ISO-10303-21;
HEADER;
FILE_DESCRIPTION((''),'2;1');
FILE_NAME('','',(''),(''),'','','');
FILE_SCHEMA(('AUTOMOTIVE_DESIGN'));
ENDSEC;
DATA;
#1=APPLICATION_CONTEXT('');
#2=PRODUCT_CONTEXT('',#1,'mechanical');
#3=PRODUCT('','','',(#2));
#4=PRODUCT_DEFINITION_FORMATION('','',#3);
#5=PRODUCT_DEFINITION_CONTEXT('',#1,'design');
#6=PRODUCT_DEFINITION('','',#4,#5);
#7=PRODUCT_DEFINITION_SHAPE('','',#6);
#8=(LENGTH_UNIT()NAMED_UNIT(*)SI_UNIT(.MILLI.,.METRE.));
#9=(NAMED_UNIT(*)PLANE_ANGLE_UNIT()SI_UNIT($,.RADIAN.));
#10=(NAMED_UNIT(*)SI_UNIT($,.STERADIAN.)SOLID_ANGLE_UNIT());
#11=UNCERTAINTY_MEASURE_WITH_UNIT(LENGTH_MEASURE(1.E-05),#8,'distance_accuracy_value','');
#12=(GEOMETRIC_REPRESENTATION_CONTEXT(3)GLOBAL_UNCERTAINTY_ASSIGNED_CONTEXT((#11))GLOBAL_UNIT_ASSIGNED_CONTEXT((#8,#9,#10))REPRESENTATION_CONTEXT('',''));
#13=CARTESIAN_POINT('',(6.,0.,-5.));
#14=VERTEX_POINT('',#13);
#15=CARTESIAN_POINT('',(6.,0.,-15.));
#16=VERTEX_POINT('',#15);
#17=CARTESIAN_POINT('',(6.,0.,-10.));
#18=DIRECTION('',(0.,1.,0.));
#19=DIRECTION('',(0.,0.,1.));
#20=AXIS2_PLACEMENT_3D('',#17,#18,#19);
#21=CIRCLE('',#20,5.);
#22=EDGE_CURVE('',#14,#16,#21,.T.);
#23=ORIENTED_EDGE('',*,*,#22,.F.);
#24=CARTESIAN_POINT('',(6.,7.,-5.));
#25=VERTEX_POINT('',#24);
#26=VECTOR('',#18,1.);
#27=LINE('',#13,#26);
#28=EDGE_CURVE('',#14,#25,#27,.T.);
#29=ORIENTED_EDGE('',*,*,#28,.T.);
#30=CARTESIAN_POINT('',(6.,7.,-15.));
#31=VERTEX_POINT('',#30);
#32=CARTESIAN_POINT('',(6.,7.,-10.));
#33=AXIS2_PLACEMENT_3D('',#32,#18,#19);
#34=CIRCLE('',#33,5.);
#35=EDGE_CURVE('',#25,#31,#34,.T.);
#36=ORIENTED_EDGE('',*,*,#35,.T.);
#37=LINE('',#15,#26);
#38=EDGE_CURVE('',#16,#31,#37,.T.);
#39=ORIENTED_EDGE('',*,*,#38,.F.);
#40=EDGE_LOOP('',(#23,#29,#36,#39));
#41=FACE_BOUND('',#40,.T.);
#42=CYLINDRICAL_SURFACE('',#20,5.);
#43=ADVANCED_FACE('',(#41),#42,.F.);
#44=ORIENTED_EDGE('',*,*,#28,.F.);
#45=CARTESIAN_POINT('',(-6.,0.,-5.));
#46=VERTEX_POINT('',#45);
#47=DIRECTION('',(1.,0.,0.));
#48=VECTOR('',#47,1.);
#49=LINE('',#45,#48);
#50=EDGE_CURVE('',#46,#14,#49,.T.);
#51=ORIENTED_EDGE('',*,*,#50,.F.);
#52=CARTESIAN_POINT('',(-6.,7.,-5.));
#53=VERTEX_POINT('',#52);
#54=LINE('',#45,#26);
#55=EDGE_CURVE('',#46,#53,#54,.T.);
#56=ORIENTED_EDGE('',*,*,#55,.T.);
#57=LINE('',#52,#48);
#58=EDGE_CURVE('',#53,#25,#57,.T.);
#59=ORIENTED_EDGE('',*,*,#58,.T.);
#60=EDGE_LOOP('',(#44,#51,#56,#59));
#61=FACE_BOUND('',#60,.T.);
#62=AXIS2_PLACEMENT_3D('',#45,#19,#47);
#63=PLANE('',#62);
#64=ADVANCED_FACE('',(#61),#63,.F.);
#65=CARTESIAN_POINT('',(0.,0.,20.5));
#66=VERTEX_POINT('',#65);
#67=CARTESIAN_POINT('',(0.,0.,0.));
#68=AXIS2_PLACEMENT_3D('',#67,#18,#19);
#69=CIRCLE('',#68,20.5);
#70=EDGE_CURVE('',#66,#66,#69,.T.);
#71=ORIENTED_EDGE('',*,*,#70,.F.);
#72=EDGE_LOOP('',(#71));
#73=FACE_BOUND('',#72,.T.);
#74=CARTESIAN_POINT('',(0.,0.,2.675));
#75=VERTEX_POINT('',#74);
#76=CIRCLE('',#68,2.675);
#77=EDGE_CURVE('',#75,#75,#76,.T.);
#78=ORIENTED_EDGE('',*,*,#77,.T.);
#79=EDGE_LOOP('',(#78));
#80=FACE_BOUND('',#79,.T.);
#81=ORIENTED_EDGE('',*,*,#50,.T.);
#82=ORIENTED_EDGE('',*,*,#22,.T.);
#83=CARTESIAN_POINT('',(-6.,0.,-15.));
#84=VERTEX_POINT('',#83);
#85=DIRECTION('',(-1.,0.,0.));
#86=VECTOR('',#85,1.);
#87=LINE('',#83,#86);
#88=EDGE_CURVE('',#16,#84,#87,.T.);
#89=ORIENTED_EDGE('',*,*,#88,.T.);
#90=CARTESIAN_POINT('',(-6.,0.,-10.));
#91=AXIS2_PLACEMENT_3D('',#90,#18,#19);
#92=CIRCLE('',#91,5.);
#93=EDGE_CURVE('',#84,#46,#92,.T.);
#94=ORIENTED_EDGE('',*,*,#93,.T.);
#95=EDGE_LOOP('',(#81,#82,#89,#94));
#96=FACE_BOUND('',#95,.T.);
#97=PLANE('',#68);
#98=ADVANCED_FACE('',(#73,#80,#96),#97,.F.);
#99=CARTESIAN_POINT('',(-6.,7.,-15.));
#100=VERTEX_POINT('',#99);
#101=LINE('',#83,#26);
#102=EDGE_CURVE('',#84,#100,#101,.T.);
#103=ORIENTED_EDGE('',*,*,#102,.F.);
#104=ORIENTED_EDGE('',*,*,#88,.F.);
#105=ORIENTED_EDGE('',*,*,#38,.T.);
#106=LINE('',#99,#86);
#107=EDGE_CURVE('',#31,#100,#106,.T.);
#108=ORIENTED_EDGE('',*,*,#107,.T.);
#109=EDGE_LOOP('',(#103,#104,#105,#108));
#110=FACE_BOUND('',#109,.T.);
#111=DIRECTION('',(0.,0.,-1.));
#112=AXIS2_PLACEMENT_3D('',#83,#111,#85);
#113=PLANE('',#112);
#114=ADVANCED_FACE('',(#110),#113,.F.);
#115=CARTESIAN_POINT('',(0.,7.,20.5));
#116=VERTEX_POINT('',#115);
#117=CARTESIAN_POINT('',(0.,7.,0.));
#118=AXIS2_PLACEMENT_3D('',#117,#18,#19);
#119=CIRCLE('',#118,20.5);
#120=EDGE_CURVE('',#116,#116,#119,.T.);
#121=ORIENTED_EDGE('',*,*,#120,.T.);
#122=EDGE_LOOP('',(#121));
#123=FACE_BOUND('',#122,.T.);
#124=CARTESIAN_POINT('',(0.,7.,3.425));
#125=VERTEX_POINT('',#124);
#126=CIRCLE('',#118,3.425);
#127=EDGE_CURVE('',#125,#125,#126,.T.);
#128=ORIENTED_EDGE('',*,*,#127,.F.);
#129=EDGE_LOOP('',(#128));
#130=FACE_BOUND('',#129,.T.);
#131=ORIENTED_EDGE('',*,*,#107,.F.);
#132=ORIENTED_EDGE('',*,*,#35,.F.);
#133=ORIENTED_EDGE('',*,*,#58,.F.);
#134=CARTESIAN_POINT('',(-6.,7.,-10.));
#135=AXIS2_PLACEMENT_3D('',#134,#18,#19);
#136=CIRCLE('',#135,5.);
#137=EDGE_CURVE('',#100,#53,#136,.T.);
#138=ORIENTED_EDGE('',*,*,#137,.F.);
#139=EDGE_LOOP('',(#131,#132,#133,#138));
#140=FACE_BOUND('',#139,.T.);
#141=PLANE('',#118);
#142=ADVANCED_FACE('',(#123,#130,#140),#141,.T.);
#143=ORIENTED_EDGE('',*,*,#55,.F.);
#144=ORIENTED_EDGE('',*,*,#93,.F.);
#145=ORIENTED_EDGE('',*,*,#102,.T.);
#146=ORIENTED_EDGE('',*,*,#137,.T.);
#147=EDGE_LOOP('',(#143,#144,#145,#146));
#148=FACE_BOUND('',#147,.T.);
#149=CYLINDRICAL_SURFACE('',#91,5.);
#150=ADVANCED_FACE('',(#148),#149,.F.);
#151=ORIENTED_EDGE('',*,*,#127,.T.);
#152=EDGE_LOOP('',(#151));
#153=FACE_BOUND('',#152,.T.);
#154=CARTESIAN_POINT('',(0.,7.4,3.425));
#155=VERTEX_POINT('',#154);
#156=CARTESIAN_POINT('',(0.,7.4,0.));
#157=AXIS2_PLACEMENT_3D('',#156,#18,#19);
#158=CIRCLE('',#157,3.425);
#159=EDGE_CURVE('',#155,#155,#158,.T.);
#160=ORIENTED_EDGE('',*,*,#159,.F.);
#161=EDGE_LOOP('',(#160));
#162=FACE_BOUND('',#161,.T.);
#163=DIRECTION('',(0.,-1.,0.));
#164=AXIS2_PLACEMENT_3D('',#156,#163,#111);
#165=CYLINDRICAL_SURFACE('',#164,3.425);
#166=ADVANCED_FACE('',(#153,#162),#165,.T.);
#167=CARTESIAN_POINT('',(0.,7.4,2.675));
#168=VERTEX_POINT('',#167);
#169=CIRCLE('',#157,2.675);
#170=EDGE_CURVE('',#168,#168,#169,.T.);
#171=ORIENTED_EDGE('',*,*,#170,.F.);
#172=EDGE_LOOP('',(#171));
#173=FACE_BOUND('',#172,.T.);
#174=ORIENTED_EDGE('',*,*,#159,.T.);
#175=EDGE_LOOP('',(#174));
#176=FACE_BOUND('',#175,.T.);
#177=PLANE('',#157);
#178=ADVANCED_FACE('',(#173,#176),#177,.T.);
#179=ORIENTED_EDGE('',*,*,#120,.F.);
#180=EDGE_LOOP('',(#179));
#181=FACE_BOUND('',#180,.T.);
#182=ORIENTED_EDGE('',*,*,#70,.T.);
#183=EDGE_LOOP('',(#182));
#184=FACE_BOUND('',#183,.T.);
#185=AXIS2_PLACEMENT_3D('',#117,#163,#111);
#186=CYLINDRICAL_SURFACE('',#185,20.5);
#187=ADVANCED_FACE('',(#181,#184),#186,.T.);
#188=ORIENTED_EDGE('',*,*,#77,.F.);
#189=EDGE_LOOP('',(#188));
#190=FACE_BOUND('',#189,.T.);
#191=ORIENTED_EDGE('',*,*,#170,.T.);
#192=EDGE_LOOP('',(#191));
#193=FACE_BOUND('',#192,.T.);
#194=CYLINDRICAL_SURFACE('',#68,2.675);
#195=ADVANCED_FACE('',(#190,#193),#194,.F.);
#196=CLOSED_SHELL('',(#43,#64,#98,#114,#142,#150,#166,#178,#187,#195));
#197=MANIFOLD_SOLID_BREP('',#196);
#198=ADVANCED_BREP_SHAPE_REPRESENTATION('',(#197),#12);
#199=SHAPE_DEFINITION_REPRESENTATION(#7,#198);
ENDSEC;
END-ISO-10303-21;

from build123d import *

# Parameters (mm, degrees)
SKETCH1_R           = 20.5
BOSS_EXTRUDE1_DEPTH = 7
SKETCH2_R           = 2.675
CUT_EXTRUDE1_DEPTH  = 7
BOSS_EXTRUDE2_START = 0.4
SKETCH3_R           = 3.425
SKETCH3_R_2         = 2.675
BOSS_EXTRUDE2_DEPTH = 0.4
CUT_EXTRUDE3_DEPTH  = 7


with BuildPart() as part:
    # Sketch1 → Boss-Extrude1 (new body)
    with BuildSketch(Plane(origin=(0, 0, 0), x_dir=(1, 0, 0), z_dir=(0, 1, 0))):
        with Locations(Location((0, 0, 0), (0, 0, 270))):
            Circle(SKETCH1_R)
    extrude(amount=BOSS_EXTRUDE1_DEPTH)

    # Sketch2 → Cut-Extrude1 (cut)
    with BuildSketch(Plane(origin=(0, 7, 0), x_dir=(1, 0, 0), z_dir=(0, 1, 0))):
        with Locations(Location((0, 0, 0), (0, 0, 270))):
            Circle(SKETCH2_R)
    extrude(amount=-CUT_EXTRUDE1_DEPTH, mode=Mode.SUBTRACT)

    # Sketch3 → Boss-Extrude2 (add)
    with BuildSketch(Plane(origin=(0, 7, 0), x_dir=(1, 0, 0), z_dir=(0, 1, 0)).offset(BOSS_EXTRUDE2_START)):
        with Locations(Location((0, 0, 0), (0, 0, 270))):
            Circle(SKETCH3_R)
        with Locations(Location((0, 0, 0), (0, 0, 270))):
            Circle(SKETCH3_R_2, mode=Mode.SUBTRACT)
    extrude(amount=-BOSS_EXTRUDE2_DEPTH)

    # Sketch5 → Cut-Extrude3 (cut)
    with BuildSketch(Plane(origin=(0, 7, 0), x_dir=(1, 0, 0), z_dir=(0, 1, 0))):
        with BuildLine():
            Line((-6, 15), (6, 15))
            ThreePointArc((6, 15), (11, 10), (6, 5))
            Line((6, 5), (-6, 5))
            ThreePointArc((-6, 5), (-11, 10), (-6, 15))
        make_face()
    extrude(amount=-CUT_EXTRUDE3_DEPTH, mode=Mode.SUBTRACT)


solid = part.part
